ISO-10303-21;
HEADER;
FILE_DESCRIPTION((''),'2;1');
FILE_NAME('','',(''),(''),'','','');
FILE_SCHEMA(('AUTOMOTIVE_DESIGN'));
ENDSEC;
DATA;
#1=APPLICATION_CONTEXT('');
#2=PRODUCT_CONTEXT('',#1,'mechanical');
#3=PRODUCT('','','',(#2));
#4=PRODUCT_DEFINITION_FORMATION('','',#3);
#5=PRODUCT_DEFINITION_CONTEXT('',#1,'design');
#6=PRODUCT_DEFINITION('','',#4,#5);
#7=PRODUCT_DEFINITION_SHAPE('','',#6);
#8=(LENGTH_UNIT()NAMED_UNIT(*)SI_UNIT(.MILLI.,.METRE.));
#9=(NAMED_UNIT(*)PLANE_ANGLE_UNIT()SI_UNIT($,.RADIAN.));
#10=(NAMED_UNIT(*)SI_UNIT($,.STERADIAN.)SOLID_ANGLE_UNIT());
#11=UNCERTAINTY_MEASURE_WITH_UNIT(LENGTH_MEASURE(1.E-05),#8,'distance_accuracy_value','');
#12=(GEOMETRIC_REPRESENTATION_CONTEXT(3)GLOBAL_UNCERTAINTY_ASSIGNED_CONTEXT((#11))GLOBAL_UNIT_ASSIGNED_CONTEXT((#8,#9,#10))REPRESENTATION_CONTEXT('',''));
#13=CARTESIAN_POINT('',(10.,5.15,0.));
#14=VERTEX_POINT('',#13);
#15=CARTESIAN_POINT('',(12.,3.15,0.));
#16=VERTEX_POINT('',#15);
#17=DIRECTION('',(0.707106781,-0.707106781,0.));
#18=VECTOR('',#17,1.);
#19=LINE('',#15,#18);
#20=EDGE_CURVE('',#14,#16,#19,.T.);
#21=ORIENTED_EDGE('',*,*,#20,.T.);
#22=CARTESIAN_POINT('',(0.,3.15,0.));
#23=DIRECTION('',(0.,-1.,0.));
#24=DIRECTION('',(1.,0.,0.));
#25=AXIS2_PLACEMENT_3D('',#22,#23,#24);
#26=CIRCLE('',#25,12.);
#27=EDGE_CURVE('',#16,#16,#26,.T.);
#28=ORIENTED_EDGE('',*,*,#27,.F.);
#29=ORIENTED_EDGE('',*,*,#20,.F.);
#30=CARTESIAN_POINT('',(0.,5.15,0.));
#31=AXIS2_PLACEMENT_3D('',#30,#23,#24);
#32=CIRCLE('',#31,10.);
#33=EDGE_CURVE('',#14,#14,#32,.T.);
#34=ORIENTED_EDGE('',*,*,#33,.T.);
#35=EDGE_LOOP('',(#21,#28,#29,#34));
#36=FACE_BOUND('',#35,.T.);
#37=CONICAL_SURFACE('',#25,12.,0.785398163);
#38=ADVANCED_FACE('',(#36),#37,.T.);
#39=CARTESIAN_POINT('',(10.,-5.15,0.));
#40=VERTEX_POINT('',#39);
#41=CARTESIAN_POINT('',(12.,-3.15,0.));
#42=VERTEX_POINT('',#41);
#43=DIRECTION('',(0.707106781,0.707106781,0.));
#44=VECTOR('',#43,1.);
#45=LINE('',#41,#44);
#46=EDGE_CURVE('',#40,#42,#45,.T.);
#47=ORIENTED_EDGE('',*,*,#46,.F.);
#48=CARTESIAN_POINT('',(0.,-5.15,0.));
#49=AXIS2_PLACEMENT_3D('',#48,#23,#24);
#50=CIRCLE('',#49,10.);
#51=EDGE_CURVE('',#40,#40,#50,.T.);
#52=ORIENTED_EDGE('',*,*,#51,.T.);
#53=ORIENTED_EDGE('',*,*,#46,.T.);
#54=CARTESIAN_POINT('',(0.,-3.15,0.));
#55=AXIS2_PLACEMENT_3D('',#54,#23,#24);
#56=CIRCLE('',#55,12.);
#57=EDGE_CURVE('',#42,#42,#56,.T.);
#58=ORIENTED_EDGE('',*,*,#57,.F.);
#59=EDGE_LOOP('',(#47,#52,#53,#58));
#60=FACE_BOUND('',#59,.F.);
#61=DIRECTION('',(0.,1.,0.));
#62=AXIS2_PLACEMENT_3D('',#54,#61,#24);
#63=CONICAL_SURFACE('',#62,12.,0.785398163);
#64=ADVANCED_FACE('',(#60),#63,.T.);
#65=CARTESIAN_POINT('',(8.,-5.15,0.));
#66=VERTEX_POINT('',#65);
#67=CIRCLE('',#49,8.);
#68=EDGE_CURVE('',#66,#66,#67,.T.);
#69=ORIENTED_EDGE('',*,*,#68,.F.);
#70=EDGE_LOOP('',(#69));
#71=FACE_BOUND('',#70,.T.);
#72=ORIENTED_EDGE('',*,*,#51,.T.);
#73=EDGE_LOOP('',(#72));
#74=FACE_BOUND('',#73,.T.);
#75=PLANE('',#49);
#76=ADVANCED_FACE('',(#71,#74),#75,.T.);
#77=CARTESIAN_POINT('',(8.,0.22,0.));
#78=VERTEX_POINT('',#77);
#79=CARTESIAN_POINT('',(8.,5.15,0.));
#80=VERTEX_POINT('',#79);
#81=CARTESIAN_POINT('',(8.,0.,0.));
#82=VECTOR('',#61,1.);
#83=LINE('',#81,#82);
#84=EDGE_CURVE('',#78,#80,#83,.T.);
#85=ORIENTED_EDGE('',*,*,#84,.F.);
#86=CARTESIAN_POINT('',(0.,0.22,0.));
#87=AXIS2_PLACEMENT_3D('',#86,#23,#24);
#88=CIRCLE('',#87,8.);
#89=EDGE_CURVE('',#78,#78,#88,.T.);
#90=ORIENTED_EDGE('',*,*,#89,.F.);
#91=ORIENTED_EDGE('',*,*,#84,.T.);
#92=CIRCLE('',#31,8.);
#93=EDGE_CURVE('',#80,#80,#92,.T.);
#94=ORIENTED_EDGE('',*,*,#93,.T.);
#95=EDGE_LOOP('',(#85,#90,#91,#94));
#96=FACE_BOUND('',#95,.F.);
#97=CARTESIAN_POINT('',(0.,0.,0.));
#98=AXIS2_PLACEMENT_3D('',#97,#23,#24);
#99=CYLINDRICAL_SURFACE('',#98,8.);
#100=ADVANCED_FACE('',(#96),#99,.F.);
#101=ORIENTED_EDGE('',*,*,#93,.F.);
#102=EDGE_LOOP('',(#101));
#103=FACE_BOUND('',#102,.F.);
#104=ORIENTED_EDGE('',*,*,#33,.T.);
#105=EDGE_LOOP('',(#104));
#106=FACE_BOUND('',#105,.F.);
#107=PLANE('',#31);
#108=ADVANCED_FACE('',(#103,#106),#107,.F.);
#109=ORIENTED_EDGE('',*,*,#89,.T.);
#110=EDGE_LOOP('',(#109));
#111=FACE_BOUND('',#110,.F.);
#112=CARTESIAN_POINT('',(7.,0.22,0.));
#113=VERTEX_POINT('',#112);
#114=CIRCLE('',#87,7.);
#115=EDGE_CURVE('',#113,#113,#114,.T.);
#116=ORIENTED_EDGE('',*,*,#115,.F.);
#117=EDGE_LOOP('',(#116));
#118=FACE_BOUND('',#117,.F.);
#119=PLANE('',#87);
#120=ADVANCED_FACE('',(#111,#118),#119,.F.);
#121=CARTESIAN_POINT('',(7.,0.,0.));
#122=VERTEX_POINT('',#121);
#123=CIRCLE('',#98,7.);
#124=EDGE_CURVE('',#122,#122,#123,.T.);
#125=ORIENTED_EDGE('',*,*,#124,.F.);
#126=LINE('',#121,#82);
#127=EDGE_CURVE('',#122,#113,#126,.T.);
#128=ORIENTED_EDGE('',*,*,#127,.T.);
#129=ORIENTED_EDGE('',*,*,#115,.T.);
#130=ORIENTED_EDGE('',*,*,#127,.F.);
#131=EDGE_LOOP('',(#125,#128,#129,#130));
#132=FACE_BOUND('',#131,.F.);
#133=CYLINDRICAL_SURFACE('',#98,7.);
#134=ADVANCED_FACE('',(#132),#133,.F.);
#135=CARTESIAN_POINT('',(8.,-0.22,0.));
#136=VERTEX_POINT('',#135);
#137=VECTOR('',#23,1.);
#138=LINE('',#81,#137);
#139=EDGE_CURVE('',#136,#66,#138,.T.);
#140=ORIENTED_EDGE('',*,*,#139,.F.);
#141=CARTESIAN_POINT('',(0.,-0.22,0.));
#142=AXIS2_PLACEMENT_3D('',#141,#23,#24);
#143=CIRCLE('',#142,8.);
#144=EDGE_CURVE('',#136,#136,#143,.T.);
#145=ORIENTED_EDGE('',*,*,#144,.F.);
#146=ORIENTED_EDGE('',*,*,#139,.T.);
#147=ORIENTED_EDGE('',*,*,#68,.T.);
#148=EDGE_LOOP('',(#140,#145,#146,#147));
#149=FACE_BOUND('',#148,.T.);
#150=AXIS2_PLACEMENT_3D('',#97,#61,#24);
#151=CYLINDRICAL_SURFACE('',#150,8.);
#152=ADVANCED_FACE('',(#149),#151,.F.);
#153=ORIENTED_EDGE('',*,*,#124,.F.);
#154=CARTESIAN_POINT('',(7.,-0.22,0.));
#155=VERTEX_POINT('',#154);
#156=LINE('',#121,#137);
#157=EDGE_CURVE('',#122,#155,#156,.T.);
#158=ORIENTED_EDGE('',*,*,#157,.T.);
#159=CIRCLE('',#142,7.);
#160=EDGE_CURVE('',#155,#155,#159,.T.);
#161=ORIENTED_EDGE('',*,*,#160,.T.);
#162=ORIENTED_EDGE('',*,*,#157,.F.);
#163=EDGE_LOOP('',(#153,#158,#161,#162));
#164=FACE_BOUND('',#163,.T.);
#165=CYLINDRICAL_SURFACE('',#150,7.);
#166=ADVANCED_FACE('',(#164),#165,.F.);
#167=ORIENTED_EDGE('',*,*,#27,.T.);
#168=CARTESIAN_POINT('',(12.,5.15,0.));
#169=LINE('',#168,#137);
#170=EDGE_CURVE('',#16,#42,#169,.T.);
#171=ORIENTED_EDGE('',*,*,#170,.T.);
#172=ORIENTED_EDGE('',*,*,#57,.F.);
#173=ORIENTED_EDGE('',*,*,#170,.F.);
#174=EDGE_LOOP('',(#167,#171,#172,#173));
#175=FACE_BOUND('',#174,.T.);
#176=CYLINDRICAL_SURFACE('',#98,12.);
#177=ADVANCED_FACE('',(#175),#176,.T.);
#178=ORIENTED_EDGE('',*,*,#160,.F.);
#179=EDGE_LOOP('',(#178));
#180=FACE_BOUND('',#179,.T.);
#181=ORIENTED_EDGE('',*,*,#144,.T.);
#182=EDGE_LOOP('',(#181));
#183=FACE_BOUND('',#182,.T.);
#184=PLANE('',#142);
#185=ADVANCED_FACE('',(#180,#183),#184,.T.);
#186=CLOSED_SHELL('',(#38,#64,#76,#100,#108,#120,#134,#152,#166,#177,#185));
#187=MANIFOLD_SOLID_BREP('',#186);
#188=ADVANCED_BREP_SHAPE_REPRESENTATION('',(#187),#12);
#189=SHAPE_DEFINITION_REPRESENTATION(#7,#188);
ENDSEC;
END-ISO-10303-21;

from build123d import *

# Parameters (mm, degrees)
F0_R     = 12
F0_R_2   = 8
F1_DEPTH = 5.15
F2_DEPTH = 5.15
F0_R_3   = 7
F3_DEPTH = 0.22
F4_DEPTH = 0.22
F5_SIZE  = 2


with BuildPart() as f1:
    # F0 (on Front) → F1 (new body)
    with BuildSketch(Plane.XZ):
        Circle(F0_R)
        Circle(F0_R_2, mode=Mode.SUBTRACT)
    extrude(amount=F1_DEPTH)

    # F0 (on Front) → F2 (join)
    with BuildSketch(Plane.XZ):
        Circle(F0_R)
        Circle(F0_R_2, mode=Mode.SUBTRACT)
    extrude(amount=-F2_DEPTH)

    # F0 (on Front) → F3 (join)
    with BuildSketch(Plane.XZ):
        Circle(F0_R_2)
        Circle(F0_R_3, mode=Mode.SUBTRACT)
    extrude(amount=F3_DEPTH)

    # F0 (on Front) → F4 (join)
    with BuildSketch(Plane.XZ):
        Circle(F0_R_2)
        Circle(F0_R_3, mode=Mode.SUBTRACT)
    extrude(amount=-F4_DEPTH)

    # F5
    f5_edges = [f1.edges().sort_by_distance(p)[0] for p in [
        (-12, -5.15, 0),
        (-12, 5.15, 0),
    ]]
    chamfer(f5_edges, length=F5_SIZE)


solid = f1.part
